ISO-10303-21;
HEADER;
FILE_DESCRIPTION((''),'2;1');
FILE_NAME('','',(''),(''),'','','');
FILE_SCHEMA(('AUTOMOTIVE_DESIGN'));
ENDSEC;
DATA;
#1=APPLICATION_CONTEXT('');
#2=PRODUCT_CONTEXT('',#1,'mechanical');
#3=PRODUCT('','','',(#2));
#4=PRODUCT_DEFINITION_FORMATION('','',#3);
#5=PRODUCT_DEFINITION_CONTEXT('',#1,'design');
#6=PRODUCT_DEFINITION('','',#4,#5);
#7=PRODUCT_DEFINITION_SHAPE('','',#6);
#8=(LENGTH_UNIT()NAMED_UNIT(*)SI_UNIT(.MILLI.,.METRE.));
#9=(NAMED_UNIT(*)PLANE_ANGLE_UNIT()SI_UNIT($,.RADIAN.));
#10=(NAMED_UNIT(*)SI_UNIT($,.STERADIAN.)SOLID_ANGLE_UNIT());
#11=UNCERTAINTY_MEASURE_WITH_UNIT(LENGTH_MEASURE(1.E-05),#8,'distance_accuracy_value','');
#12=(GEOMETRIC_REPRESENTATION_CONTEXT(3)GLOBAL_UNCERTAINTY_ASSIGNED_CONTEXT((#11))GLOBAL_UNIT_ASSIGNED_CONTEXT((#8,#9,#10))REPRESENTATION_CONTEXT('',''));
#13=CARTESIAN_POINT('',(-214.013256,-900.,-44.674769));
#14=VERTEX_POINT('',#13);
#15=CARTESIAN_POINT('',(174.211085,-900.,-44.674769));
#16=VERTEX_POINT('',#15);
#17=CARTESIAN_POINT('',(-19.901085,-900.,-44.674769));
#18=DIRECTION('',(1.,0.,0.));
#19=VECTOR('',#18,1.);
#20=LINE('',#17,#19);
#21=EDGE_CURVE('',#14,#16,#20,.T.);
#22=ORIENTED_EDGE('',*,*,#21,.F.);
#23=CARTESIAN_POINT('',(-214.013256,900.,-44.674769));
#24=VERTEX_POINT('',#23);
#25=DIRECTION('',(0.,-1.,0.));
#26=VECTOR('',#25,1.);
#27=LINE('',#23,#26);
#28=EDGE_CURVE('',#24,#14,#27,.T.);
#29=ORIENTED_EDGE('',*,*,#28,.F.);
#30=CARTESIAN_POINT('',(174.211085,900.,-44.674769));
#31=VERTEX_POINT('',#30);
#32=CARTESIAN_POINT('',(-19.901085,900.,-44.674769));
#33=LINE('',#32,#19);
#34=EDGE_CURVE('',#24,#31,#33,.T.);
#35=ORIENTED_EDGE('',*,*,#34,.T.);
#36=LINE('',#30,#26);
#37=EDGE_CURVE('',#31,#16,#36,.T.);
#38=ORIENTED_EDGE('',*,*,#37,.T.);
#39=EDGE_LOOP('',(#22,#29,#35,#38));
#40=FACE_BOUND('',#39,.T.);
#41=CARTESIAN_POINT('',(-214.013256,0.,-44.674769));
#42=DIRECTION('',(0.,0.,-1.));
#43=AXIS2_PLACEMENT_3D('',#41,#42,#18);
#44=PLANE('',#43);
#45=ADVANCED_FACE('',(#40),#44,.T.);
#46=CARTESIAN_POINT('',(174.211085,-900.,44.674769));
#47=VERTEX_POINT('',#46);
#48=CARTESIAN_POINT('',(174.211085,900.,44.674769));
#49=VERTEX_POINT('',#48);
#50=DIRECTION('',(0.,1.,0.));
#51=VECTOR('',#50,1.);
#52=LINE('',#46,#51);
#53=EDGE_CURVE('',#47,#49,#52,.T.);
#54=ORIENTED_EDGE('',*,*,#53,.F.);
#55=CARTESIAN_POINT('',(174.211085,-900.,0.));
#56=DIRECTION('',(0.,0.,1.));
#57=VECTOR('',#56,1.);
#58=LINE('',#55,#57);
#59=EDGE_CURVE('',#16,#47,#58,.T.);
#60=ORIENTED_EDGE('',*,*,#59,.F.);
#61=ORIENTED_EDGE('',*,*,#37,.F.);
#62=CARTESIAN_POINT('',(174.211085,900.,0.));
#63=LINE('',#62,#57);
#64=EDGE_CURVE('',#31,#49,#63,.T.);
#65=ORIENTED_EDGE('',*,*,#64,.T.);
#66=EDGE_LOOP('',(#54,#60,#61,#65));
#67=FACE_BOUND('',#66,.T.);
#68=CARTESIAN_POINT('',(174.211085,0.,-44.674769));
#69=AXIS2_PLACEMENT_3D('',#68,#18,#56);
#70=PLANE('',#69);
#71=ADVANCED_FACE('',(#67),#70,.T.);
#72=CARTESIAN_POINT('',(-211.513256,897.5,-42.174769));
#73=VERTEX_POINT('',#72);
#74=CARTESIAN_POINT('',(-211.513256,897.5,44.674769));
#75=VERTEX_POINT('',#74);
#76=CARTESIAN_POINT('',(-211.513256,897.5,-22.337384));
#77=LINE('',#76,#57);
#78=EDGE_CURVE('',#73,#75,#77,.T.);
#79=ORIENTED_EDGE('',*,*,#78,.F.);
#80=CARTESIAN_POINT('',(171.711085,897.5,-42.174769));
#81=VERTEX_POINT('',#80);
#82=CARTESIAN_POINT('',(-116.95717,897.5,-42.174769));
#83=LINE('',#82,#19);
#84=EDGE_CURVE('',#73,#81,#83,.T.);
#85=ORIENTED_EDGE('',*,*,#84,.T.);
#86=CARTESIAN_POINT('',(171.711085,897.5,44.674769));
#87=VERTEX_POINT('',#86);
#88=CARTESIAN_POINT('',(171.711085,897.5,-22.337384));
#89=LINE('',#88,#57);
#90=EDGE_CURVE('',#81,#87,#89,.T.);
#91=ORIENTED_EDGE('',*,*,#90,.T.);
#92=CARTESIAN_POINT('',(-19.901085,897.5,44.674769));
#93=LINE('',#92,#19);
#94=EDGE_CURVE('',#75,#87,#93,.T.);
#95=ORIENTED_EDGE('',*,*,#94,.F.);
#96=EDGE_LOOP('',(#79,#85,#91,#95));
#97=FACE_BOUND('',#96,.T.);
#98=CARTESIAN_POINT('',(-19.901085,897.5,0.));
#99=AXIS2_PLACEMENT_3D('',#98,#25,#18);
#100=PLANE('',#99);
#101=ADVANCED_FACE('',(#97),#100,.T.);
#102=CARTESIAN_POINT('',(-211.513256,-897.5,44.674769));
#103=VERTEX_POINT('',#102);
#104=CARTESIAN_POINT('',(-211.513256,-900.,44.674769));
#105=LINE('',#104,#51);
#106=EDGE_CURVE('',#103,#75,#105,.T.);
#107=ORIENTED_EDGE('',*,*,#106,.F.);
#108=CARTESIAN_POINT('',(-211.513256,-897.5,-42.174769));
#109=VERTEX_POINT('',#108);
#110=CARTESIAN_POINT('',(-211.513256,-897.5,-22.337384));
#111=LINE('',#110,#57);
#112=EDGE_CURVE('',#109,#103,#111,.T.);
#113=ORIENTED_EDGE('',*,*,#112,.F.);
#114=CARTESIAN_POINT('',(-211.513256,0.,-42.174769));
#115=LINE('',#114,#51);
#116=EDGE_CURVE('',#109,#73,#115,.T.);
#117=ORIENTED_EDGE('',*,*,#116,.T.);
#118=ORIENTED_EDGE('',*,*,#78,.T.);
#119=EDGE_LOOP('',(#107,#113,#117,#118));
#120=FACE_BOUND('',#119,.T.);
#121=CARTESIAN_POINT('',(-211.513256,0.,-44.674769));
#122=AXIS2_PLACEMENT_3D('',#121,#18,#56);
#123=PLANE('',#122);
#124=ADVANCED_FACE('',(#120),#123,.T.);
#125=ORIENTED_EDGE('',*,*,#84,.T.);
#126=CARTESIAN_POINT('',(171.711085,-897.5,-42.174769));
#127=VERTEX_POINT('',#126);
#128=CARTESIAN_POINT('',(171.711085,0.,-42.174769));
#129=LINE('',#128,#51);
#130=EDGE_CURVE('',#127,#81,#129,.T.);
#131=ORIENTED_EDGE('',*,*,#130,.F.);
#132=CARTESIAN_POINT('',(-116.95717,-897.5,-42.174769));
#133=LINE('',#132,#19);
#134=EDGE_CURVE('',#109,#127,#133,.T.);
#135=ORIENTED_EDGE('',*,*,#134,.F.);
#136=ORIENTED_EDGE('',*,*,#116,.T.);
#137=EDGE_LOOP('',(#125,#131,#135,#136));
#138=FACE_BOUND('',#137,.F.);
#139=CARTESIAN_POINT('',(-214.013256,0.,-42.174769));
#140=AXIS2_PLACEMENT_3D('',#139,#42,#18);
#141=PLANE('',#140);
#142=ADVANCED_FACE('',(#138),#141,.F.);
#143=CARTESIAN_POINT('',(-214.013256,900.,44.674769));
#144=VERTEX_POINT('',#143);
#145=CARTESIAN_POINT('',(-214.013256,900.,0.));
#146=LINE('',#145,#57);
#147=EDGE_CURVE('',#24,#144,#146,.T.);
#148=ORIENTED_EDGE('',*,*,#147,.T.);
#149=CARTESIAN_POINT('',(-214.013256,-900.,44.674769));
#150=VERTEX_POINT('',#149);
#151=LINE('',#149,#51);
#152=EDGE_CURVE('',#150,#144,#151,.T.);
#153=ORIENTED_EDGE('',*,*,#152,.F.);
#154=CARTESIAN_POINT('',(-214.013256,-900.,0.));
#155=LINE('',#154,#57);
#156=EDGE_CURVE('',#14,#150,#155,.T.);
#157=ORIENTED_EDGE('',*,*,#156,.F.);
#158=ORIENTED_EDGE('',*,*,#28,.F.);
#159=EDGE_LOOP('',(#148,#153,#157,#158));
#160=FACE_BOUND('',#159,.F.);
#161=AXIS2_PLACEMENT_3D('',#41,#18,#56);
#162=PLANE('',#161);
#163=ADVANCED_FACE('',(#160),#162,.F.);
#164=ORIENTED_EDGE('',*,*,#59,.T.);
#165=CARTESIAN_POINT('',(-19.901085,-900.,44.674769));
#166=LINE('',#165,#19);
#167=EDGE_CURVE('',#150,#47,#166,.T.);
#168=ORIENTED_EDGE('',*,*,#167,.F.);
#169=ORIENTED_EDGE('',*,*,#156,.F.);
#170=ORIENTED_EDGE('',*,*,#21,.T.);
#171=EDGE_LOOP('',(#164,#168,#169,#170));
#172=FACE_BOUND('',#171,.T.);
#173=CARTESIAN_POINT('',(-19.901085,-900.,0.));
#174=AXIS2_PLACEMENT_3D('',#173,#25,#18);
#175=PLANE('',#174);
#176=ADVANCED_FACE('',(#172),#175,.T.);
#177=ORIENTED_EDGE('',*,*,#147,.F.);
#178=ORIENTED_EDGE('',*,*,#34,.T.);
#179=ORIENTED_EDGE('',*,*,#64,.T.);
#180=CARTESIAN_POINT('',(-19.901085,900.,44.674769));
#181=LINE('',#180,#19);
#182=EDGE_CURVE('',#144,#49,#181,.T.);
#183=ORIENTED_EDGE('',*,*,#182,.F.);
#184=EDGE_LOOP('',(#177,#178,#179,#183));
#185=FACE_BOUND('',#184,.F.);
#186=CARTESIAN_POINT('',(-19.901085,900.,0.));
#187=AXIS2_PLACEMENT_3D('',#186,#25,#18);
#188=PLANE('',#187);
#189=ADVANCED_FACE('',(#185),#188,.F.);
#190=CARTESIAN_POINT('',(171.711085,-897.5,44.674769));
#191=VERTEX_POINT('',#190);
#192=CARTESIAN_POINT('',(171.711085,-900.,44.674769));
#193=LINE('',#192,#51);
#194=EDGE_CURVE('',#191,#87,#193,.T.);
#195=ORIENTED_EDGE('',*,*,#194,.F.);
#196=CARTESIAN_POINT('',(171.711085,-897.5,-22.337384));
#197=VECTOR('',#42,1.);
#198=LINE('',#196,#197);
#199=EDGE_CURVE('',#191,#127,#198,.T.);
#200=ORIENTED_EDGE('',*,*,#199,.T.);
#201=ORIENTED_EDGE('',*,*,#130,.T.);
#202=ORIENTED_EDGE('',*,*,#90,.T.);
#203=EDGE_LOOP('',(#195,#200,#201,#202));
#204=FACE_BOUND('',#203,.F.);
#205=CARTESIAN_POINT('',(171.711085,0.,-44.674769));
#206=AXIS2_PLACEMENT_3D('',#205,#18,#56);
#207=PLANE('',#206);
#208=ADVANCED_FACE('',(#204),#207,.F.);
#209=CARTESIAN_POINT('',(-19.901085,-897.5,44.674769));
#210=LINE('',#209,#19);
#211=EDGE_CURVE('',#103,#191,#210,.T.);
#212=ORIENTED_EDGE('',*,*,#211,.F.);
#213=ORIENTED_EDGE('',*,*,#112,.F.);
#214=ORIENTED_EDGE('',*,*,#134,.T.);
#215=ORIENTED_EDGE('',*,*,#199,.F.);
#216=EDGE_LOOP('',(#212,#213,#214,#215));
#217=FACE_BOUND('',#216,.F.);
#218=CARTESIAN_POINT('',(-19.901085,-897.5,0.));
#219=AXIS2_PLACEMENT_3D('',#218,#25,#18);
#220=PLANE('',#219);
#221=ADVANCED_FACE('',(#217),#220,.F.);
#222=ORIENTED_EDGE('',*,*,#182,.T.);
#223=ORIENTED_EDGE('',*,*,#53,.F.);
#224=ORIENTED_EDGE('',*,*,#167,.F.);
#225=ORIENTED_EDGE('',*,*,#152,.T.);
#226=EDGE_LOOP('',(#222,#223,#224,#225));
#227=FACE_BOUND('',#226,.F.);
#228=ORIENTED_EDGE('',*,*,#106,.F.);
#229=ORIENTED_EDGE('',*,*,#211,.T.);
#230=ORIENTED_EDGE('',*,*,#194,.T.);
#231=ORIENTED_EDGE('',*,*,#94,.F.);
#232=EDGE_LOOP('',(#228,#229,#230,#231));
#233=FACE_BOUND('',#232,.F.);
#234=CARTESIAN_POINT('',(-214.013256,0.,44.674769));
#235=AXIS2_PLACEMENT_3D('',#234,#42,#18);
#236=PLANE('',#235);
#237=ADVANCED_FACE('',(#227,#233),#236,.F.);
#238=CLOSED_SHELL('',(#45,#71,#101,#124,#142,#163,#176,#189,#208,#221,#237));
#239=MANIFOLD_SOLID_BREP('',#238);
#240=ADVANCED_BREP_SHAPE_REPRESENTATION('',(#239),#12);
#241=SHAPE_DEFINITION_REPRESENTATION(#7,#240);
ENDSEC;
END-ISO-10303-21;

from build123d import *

# Parameters (mm, degrees)
F0_W     = 388.224341
F0_H     = 89.349538
F1_DEPTH = 900
F2_T     = -2.5


with BuildPart() as f1:
    # F0 (on Front) → F1 (new body, symmetric)
    with BuildSketch(Plane.XZ):
        with Locations((-19.901085, 0)):
            Rectangle(F0_W, F0_H)
    extrude(amount=F1_DEPTH, both=True)

    # F2
    f2_openings = [f1.faces().sort_by_distance(p)[0] for p in [
        (-19.901086, 0, 44.674769),
    ]]
    offset(amount=F2_T, openings=f2_openings)


solid = f1.part
